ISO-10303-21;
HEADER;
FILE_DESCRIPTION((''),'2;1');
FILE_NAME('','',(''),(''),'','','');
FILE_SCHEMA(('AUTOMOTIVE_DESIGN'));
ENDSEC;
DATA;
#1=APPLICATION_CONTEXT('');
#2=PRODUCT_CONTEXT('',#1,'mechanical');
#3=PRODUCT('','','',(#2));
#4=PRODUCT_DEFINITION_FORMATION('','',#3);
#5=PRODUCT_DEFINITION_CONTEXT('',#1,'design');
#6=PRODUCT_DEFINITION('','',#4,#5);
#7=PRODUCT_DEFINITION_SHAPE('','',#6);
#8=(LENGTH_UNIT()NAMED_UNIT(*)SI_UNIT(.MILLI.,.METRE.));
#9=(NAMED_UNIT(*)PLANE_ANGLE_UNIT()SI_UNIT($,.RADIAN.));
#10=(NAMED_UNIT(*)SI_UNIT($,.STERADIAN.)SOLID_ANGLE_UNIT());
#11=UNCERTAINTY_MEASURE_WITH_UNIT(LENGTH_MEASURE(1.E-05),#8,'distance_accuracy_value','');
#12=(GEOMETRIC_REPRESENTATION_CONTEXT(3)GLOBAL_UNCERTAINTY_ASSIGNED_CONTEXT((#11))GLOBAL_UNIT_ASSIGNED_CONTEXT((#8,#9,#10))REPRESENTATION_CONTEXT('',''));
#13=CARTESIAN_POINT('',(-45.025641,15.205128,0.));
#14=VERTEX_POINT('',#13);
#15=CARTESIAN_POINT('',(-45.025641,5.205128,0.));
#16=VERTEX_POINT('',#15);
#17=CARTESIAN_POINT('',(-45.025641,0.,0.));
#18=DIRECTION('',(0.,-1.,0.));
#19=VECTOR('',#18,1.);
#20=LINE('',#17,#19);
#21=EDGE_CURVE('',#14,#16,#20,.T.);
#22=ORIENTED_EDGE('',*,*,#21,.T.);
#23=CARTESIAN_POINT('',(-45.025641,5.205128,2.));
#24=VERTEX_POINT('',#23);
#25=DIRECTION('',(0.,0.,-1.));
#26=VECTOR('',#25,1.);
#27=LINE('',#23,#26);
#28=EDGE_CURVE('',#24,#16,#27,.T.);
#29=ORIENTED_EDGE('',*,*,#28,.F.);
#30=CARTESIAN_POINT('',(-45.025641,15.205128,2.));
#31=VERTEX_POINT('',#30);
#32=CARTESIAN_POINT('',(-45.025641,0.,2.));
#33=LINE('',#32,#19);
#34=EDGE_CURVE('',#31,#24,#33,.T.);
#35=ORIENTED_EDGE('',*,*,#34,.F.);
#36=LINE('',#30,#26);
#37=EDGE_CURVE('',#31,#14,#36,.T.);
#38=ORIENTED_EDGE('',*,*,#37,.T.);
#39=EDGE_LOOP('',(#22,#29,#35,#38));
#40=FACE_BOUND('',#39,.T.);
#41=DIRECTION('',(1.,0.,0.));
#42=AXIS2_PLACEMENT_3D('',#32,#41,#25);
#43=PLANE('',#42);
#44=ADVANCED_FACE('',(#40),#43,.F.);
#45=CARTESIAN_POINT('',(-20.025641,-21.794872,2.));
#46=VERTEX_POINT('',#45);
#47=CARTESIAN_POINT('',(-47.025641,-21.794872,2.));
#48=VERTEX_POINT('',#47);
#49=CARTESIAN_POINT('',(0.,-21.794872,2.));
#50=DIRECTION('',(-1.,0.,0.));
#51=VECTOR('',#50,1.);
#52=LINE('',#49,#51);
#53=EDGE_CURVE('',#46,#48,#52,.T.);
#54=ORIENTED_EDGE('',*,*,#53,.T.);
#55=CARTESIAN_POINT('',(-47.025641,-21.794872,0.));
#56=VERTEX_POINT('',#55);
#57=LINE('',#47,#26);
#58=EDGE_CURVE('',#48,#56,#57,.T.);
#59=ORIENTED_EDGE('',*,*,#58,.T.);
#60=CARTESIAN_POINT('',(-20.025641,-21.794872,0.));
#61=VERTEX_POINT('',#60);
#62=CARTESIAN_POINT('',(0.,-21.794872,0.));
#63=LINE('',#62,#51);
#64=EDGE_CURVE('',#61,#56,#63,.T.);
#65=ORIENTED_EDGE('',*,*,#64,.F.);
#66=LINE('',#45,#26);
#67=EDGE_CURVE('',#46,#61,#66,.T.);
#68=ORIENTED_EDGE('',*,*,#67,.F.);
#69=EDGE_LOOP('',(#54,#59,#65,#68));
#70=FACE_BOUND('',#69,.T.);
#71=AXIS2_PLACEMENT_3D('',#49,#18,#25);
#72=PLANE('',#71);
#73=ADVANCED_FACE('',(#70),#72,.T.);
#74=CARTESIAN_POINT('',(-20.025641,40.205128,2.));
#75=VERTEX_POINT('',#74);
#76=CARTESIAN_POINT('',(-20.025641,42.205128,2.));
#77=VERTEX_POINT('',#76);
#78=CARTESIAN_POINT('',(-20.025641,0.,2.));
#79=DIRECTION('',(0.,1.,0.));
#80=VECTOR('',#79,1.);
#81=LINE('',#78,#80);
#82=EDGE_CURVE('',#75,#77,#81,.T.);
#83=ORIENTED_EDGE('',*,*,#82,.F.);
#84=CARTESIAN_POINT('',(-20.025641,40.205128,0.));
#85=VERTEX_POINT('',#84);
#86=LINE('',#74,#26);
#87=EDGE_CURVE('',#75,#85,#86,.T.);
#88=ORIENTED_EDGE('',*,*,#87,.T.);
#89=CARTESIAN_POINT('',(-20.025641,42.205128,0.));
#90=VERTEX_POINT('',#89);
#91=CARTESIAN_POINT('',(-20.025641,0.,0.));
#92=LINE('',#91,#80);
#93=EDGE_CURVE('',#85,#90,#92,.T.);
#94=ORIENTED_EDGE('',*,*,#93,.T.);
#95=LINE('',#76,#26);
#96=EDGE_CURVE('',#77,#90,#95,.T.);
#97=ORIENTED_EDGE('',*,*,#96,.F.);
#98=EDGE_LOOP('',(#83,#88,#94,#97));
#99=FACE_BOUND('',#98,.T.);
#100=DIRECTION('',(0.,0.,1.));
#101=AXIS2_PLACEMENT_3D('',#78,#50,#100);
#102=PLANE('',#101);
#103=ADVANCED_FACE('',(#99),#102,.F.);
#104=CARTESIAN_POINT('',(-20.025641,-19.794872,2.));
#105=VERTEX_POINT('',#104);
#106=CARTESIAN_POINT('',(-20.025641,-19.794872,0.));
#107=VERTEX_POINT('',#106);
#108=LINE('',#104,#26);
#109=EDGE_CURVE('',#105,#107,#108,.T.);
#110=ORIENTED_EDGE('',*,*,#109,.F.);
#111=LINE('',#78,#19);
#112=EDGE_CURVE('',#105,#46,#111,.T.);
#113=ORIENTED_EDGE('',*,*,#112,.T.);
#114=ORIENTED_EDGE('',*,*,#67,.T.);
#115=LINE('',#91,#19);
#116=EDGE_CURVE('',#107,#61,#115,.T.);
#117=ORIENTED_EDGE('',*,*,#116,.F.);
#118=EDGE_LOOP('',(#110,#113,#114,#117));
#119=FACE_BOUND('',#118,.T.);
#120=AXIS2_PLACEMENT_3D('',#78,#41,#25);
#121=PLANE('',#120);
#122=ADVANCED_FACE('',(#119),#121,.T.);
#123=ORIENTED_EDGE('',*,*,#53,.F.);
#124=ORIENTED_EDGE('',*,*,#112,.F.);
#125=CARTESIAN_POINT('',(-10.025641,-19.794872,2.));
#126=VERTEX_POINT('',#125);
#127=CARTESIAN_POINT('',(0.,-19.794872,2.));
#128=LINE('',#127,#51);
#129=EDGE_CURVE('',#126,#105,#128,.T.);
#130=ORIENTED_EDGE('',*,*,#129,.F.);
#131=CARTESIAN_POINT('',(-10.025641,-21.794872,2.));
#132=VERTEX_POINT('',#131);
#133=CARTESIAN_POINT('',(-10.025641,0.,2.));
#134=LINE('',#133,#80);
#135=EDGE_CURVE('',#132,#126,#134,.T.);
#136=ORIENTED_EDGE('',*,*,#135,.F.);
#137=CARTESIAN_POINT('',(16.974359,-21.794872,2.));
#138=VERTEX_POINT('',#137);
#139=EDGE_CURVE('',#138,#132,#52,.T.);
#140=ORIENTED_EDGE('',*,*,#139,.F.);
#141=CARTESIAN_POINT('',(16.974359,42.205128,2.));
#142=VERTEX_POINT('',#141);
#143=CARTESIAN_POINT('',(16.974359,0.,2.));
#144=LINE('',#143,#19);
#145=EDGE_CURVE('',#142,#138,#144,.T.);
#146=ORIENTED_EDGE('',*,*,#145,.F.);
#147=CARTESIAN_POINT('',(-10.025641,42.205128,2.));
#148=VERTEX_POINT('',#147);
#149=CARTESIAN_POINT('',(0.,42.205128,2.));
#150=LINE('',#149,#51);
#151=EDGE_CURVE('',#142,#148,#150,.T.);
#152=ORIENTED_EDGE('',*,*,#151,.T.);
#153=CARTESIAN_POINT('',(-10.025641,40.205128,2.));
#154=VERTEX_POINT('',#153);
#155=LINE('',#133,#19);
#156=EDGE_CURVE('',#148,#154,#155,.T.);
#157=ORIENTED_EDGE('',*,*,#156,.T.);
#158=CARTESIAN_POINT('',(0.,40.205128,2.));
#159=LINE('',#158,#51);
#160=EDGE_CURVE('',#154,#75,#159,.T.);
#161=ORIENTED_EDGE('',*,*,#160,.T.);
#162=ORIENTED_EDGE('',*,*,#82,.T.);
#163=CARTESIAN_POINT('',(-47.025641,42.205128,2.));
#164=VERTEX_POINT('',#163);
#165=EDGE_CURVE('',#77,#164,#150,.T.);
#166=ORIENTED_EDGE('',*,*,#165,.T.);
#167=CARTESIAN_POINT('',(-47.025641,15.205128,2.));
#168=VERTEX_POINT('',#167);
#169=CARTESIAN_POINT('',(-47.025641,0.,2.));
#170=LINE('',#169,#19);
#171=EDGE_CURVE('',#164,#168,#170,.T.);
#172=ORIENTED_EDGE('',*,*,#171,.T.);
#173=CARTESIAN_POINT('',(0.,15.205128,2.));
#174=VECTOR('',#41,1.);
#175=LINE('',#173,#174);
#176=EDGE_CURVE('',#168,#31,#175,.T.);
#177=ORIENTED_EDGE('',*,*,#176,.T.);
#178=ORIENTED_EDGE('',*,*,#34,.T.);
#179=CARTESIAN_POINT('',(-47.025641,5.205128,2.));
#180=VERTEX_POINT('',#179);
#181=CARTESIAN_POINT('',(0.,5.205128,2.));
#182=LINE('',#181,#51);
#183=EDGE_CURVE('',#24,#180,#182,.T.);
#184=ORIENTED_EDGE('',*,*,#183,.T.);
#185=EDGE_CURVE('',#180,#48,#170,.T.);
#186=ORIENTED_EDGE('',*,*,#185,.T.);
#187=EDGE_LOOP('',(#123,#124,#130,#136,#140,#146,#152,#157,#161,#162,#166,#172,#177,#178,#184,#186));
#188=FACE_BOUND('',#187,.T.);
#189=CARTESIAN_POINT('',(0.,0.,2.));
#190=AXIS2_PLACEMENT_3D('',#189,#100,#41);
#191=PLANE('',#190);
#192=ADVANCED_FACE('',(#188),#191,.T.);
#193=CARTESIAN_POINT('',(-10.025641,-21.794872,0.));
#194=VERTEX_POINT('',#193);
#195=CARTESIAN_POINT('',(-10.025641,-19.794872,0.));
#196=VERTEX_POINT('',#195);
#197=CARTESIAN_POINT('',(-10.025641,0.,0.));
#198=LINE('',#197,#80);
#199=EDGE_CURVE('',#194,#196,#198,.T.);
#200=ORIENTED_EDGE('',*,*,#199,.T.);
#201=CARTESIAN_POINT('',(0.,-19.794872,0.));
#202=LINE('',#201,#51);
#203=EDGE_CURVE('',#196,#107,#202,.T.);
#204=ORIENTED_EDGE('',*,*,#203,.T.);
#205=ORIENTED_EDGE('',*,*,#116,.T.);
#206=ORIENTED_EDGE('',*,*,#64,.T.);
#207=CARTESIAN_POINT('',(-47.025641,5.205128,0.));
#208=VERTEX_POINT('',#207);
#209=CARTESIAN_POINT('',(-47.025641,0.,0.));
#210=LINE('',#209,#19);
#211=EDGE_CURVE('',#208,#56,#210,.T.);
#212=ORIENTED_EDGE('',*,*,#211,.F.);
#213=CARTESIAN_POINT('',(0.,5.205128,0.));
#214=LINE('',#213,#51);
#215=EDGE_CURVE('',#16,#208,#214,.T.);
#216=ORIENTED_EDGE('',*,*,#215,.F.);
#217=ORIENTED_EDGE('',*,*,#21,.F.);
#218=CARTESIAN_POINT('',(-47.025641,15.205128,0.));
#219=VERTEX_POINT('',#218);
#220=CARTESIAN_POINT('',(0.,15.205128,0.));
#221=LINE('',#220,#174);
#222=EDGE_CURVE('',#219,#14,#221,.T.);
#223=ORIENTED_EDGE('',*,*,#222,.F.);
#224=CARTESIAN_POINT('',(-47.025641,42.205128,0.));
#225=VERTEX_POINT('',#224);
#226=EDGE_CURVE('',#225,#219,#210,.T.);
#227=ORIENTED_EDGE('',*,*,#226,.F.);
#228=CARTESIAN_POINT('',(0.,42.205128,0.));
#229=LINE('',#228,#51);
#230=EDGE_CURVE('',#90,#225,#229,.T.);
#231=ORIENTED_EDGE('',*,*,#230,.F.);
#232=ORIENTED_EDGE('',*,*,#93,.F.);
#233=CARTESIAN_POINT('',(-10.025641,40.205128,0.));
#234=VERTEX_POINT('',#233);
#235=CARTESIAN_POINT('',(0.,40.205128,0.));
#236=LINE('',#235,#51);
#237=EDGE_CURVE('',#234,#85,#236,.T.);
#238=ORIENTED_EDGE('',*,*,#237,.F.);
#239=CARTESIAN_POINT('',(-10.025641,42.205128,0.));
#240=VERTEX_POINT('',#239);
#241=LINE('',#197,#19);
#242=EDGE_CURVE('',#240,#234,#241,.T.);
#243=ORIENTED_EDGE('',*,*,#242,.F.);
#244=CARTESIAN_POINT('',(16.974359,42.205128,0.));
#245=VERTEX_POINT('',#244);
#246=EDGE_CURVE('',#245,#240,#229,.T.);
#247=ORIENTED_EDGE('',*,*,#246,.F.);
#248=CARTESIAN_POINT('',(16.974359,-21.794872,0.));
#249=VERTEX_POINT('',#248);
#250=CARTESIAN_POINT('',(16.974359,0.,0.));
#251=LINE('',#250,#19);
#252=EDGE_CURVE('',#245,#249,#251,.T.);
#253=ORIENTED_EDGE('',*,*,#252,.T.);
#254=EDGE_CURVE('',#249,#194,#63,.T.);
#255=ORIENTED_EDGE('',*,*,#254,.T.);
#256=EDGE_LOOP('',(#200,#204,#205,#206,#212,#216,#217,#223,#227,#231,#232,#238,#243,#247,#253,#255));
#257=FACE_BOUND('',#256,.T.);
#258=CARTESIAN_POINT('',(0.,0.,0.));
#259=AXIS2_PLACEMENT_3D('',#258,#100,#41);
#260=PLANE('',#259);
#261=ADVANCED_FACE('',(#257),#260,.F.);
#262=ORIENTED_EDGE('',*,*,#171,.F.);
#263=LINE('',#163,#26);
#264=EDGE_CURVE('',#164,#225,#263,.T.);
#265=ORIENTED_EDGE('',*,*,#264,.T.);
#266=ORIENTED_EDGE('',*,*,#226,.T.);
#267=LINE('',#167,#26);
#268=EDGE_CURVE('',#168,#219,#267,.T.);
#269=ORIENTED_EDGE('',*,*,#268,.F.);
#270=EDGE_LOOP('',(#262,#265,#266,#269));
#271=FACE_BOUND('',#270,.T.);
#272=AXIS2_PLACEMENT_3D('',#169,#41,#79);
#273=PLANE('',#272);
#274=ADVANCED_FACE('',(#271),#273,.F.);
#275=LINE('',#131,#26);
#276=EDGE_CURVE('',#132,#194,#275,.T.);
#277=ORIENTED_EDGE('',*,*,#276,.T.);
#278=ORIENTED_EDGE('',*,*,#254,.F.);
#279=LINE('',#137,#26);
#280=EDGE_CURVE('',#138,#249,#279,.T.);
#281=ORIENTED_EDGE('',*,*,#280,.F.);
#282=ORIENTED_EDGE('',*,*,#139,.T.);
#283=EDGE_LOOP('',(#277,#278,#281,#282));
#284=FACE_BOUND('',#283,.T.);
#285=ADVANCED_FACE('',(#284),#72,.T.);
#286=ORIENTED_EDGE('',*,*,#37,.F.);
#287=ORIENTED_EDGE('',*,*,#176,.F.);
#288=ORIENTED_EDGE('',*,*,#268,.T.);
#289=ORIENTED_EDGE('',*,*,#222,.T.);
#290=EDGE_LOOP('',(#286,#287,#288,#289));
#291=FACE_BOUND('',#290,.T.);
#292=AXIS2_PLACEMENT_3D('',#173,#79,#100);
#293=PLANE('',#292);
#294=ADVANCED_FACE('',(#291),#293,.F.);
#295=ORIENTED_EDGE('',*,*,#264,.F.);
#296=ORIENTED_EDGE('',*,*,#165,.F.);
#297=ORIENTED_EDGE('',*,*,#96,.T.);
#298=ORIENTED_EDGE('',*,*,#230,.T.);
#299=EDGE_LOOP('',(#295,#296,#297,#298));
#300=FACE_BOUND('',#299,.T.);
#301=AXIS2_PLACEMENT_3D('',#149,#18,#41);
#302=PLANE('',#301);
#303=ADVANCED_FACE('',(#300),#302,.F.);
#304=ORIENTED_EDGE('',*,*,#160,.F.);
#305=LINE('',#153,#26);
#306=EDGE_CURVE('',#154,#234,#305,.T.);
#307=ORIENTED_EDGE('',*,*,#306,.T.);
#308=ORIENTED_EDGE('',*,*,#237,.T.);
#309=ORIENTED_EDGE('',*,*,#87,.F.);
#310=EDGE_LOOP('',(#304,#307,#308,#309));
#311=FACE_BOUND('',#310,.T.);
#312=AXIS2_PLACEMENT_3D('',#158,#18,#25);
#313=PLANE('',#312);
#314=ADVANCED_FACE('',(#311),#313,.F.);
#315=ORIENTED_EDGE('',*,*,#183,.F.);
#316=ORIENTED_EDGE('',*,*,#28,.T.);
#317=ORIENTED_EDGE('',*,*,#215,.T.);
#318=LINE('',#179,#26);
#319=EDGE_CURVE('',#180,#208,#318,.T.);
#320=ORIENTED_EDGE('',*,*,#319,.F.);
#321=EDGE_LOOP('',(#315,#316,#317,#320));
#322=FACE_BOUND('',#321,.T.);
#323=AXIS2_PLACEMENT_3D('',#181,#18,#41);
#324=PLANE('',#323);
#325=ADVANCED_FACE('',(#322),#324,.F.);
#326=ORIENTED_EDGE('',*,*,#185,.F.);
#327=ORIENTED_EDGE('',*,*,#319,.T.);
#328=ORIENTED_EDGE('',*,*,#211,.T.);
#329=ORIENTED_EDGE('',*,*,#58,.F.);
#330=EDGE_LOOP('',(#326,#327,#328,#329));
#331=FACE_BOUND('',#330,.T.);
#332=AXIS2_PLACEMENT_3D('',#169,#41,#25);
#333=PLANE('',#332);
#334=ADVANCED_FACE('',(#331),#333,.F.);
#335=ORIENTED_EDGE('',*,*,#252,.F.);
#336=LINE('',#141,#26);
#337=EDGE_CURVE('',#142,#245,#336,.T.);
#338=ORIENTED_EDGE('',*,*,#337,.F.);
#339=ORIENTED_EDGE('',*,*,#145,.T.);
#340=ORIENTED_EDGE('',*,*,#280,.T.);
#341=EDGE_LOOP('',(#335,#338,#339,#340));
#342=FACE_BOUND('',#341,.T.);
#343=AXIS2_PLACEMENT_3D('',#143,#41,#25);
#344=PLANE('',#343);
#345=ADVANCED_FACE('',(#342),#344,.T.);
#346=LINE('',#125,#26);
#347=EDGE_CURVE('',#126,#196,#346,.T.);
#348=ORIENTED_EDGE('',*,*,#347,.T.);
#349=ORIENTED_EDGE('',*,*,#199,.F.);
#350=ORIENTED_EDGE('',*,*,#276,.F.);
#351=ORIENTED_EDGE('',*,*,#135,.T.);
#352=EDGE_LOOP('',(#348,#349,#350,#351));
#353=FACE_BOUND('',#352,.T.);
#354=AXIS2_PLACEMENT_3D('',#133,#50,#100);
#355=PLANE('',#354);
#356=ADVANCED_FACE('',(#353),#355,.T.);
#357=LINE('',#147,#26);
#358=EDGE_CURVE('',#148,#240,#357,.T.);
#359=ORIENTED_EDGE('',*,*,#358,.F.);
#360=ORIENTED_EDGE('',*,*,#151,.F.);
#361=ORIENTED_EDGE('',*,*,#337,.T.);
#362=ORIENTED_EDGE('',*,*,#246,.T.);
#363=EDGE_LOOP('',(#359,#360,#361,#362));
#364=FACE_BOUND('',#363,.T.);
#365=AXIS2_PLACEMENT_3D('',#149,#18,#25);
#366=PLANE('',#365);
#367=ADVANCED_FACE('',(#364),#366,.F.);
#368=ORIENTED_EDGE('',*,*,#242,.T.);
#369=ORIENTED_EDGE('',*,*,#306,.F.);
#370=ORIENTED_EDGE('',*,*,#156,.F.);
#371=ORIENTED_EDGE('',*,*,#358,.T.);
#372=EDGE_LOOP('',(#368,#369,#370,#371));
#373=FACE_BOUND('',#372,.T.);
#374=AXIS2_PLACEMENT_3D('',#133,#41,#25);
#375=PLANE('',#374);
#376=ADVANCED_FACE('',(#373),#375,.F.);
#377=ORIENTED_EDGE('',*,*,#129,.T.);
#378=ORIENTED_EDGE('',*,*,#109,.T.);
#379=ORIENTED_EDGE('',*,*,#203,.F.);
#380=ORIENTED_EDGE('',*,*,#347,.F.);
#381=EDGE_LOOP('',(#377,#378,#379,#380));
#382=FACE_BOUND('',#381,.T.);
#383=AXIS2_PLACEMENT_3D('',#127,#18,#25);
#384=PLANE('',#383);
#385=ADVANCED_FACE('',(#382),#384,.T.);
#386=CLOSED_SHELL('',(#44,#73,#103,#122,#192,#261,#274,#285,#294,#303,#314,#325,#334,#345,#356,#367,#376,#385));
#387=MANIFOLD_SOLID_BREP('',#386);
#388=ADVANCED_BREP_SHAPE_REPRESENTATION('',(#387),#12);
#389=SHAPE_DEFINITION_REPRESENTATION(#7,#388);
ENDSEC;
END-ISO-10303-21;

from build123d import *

# Parameters (mm, degrees)
EXTRUDE_1_DEPTH = 2


with BuildPart() as part:
    # 草图1 → 凸台-拉伸1 (new body)
    with BuildSketch(Plane.XY):
        Polygon((16.974358974, 15.205128205), (16.974358974, 42.205128205), (2.974358974, 42.205128205), (-5.298152288, 42.205128205), (-10.025641026, 42.205128205), (-10.025641026, 40.205128205), (-20.025641026, 40.205128205), (-20.025641026, 42.205128205), (-47.025641026, 42.205128205), (-47.025641026, 15.205128205), (-45.025641026, 15.205128205), (-45.025641026, 5.205128205), (-47.025641026, 5.205128205), (-47.025641026, -21.794871795), (-20.025641026, -21.794871795), (-20.025641026, -19.794871795), (-10.025641026, -19.794871795), (-10.025641026, -21.794871795), (16.974358974, -21.794871795), (16.974358974, 5.205128205), align=None)
    extrude(amount=EXTRUDE_1_DEPTH)


solid = part.part
